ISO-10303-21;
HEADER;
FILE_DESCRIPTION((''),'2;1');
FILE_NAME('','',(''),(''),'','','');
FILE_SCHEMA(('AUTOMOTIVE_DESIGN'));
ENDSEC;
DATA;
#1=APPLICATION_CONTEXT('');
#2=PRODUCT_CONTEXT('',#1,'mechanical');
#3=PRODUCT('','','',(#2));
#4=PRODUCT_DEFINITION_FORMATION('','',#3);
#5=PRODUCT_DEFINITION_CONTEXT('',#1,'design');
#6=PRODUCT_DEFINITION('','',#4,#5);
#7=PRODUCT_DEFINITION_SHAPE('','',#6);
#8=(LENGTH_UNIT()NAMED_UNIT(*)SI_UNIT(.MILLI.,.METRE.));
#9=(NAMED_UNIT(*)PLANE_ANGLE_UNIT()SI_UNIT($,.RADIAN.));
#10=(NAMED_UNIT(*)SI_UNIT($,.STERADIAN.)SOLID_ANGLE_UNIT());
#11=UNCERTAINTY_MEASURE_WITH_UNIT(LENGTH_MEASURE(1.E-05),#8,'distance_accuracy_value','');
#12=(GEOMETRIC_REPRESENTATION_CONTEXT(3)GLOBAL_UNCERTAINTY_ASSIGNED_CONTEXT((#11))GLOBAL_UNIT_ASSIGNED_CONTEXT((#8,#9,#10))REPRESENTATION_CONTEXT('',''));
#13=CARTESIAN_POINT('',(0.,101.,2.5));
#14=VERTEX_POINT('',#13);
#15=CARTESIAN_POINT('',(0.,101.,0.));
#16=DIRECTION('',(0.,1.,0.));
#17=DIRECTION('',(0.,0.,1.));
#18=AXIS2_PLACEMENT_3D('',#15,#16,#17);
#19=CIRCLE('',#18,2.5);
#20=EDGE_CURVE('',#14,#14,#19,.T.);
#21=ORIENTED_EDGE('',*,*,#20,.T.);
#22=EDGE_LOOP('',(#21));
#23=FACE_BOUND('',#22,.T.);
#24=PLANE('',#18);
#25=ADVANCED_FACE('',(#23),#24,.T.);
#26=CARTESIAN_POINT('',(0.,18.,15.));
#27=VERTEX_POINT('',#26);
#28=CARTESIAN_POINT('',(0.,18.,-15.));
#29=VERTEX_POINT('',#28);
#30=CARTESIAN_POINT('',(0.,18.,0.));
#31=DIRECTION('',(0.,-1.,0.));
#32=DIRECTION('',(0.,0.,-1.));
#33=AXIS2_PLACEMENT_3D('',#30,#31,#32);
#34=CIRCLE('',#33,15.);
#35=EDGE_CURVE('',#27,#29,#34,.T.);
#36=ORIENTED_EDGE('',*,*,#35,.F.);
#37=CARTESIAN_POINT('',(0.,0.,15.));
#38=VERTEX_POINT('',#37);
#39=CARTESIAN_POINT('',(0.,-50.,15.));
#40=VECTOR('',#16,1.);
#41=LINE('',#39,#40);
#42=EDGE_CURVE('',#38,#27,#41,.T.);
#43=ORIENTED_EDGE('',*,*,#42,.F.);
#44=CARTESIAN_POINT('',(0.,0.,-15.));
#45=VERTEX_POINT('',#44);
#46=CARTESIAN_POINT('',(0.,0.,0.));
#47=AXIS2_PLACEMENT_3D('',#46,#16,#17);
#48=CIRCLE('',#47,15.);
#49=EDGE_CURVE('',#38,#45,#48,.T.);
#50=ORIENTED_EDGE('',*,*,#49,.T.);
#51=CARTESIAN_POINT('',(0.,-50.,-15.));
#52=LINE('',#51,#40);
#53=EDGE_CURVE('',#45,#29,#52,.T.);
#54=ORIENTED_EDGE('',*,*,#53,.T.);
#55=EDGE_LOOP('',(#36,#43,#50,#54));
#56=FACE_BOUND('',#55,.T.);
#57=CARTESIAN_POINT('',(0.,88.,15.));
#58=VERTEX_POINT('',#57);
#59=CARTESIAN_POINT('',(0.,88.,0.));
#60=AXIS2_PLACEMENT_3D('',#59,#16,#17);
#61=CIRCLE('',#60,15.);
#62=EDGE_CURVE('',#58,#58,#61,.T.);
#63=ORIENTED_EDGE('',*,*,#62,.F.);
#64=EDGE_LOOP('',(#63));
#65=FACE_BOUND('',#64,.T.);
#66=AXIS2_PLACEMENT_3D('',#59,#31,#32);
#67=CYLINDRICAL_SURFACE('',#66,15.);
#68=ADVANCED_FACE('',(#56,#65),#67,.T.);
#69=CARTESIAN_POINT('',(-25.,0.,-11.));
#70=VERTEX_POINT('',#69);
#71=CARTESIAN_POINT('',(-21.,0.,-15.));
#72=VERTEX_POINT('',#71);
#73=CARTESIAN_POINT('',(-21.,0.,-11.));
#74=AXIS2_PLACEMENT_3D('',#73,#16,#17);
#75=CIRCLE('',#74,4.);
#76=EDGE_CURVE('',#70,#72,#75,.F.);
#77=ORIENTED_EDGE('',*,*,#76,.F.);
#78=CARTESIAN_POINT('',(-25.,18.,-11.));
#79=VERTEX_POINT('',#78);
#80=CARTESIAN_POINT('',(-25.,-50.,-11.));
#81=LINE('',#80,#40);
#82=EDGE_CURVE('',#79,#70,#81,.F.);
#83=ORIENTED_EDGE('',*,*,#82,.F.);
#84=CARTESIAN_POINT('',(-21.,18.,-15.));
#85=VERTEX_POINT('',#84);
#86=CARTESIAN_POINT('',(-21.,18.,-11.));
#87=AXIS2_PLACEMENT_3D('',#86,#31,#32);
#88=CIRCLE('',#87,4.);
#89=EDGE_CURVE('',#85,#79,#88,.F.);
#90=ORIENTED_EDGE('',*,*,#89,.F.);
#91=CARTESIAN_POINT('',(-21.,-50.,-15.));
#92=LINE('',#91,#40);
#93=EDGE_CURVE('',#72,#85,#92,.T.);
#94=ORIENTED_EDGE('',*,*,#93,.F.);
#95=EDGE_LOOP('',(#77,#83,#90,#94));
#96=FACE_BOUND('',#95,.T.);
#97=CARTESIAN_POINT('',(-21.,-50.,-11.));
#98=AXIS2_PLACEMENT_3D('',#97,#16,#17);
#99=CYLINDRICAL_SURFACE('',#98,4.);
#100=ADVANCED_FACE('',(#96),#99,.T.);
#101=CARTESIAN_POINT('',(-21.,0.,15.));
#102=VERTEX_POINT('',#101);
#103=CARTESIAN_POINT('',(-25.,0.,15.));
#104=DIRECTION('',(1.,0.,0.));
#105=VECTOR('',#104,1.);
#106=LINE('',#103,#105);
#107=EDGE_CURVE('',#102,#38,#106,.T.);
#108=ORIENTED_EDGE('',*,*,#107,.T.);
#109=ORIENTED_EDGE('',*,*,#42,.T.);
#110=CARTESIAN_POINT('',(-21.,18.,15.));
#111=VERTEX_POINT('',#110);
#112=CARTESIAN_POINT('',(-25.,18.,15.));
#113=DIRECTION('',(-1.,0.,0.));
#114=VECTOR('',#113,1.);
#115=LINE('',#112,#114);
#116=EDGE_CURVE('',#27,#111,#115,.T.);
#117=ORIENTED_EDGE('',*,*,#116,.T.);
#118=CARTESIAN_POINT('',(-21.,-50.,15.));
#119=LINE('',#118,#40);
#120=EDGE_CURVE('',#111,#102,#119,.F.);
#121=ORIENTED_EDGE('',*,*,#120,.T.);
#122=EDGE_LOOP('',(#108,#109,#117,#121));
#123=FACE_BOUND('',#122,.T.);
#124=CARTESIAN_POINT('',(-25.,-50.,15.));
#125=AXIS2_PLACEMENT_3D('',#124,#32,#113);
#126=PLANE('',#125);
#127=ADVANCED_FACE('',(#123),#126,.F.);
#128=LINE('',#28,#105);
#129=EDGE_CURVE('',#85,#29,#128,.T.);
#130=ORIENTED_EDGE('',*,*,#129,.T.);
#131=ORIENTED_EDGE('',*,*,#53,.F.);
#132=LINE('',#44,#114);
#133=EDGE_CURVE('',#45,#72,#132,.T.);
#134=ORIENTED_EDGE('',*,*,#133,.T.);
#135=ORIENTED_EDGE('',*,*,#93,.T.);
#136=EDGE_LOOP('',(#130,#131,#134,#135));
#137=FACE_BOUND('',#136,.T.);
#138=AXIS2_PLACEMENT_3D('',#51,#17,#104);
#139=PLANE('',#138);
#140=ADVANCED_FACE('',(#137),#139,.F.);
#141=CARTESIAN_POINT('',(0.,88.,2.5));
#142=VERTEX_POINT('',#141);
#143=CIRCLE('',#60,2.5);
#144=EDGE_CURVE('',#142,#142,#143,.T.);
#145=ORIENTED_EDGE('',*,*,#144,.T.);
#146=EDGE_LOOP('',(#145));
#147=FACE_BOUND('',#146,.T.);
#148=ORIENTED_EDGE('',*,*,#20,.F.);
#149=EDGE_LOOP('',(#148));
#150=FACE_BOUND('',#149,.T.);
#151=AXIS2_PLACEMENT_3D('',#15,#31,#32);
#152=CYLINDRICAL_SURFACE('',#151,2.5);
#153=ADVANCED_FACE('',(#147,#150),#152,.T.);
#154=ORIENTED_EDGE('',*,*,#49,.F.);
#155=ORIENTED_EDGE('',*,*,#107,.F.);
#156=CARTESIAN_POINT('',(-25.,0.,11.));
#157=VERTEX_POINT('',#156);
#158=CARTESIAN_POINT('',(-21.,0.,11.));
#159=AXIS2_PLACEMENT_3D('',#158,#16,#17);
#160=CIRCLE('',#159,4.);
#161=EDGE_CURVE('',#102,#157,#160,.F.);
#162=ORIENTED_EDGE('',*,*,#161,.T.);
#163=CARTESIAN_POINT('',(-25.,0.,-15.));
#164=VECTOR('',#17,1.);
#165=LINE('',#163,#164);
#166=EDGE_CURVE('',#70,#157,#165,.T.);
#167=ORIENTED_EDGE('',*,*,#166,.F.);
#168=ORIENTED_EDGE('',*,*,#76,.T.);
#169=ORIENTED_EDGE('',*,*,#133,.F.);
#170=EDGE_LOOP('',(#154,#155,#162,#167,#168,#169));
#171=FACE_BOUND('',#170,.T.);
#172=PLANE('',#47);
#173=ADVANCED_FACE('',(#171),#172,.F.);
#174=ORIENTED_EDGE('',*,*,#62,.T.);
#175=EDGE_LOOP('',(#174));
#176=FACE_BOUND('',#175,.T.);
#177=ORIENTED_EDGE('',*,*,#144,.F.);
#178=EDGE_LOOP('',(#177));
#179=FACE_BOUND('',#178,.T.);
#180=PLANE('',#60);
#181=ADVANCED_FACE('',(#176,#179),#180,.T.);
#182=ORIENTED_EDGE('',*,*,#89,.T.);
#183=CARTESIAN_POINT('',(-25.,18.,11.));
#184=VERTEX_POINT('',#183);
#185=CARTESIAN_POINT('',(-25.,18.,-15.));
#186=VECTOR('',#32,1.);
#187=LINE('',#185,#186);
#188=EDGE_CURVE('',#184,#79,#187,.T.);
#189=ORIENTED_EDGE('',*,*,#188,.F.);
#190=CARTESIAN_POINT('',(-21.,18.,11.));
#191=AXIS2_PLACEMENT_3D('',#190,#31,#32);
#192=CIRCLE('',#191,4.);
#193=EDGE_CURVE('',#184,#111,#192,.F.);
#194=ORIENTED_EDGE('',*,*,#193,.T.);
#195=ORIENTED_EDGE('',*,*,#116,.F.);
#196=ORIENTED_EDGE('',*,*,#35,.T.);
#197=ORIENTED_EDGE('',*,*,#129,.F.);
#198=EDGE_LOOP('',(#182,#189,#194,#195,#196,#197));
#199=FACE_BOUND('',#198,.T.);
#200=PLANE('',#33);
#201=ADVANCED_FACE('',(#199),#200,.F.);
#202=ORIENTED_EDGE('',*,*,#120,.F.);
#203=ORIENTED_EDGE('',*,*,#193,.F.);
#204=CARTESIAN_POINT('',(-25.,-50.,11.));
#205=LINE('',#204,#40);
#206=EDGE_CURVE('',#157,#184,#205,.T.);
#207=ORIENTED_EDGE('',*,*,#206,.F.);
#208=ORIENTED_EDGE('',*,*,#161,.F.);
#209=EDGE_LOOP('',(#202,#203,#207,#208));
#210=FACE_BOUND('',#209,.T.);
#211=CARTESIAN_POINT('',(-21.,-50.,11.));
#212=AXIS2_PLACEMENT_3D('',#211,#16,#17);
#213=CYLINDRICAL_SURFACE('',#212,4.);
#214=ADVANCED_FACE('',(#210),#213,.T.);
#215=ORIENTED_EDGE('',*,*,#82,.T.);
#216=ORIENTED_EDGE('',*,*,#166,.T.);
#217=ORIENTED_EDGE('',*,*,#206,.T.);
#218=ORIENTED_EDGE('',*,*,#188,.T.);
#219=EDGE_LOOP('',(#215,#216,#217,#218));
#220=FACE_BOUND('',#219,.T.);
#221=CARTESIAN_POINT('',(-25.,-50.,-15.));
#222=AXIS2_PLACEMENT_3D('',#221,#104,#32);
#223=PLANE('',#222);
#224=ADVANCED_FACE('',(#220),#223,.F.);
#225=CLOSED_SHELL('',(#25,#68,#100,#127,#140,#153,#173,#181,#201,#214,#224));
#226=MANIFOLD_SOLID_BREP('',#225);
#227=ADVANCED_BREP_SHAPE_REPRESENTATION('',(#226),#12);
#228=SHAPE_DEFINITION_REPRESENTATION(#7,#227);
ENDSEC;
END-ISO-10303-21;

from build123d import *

# Parameters (mm, degrees)
SKETCH1_R           = 15
BOSS_EXTRUDE1_DEPTH = 88
SKETCH2_R           = 2.5
BOSS_EXTRUDE2_DEPTH = 13
BOSS_EXTRUDE3_DEPTH = 18
FILLET1_R           = 4


with BuildPart() as part:
    # Sketch1 → Boss-Extrude1 (new body)
    with BuildSketch(Plane(origin=(0, 0, 0), x_dir=(1, 0, 0), z_dir=(0, 1, 0))):
        Circle(SKETCH1_R)
    extrude(amount=BOSS_EXTRUDE1_DEPTH)

    # Sketch2 → Boss-Extrude2 (add)
    with BuildSketch(Plane(origin=(0, 88, 0), x_dir=(1, 0, 0), z_dir=(0, 1, 0))):
        Circle(SKETCH2_R)
    extrude(amount=BOSS_EXTRUDE2_DEPTH)

    # Sketch3 → Boss-Extrude3 (add)
    with BuildSketch(Plane(origin=(0, 18, 0), x_dir=(-1, 0, 0), z_dir=(0, -1, 0))):
        with BuildLine():
            Line((0, 15), (25, 15))
            Line((25, 15), (25, -15))
            Line((25, -15), (0, -15))
            ThreePointArc((0, -15), (-15, 0), (0, 15))
        make_face()
    extrude(amount=BOSS_EXTRUDE3_DEPTH)

    # Fillet1
    fillet1_edges = [part.edges().sort_by_distance(p)[0] for p in [
        (-25, 9, -15),
        (-25, 9, 15),
    ]]
    fillet(fillet1_edges, radius=FILLET1_R)


solid = part.part
